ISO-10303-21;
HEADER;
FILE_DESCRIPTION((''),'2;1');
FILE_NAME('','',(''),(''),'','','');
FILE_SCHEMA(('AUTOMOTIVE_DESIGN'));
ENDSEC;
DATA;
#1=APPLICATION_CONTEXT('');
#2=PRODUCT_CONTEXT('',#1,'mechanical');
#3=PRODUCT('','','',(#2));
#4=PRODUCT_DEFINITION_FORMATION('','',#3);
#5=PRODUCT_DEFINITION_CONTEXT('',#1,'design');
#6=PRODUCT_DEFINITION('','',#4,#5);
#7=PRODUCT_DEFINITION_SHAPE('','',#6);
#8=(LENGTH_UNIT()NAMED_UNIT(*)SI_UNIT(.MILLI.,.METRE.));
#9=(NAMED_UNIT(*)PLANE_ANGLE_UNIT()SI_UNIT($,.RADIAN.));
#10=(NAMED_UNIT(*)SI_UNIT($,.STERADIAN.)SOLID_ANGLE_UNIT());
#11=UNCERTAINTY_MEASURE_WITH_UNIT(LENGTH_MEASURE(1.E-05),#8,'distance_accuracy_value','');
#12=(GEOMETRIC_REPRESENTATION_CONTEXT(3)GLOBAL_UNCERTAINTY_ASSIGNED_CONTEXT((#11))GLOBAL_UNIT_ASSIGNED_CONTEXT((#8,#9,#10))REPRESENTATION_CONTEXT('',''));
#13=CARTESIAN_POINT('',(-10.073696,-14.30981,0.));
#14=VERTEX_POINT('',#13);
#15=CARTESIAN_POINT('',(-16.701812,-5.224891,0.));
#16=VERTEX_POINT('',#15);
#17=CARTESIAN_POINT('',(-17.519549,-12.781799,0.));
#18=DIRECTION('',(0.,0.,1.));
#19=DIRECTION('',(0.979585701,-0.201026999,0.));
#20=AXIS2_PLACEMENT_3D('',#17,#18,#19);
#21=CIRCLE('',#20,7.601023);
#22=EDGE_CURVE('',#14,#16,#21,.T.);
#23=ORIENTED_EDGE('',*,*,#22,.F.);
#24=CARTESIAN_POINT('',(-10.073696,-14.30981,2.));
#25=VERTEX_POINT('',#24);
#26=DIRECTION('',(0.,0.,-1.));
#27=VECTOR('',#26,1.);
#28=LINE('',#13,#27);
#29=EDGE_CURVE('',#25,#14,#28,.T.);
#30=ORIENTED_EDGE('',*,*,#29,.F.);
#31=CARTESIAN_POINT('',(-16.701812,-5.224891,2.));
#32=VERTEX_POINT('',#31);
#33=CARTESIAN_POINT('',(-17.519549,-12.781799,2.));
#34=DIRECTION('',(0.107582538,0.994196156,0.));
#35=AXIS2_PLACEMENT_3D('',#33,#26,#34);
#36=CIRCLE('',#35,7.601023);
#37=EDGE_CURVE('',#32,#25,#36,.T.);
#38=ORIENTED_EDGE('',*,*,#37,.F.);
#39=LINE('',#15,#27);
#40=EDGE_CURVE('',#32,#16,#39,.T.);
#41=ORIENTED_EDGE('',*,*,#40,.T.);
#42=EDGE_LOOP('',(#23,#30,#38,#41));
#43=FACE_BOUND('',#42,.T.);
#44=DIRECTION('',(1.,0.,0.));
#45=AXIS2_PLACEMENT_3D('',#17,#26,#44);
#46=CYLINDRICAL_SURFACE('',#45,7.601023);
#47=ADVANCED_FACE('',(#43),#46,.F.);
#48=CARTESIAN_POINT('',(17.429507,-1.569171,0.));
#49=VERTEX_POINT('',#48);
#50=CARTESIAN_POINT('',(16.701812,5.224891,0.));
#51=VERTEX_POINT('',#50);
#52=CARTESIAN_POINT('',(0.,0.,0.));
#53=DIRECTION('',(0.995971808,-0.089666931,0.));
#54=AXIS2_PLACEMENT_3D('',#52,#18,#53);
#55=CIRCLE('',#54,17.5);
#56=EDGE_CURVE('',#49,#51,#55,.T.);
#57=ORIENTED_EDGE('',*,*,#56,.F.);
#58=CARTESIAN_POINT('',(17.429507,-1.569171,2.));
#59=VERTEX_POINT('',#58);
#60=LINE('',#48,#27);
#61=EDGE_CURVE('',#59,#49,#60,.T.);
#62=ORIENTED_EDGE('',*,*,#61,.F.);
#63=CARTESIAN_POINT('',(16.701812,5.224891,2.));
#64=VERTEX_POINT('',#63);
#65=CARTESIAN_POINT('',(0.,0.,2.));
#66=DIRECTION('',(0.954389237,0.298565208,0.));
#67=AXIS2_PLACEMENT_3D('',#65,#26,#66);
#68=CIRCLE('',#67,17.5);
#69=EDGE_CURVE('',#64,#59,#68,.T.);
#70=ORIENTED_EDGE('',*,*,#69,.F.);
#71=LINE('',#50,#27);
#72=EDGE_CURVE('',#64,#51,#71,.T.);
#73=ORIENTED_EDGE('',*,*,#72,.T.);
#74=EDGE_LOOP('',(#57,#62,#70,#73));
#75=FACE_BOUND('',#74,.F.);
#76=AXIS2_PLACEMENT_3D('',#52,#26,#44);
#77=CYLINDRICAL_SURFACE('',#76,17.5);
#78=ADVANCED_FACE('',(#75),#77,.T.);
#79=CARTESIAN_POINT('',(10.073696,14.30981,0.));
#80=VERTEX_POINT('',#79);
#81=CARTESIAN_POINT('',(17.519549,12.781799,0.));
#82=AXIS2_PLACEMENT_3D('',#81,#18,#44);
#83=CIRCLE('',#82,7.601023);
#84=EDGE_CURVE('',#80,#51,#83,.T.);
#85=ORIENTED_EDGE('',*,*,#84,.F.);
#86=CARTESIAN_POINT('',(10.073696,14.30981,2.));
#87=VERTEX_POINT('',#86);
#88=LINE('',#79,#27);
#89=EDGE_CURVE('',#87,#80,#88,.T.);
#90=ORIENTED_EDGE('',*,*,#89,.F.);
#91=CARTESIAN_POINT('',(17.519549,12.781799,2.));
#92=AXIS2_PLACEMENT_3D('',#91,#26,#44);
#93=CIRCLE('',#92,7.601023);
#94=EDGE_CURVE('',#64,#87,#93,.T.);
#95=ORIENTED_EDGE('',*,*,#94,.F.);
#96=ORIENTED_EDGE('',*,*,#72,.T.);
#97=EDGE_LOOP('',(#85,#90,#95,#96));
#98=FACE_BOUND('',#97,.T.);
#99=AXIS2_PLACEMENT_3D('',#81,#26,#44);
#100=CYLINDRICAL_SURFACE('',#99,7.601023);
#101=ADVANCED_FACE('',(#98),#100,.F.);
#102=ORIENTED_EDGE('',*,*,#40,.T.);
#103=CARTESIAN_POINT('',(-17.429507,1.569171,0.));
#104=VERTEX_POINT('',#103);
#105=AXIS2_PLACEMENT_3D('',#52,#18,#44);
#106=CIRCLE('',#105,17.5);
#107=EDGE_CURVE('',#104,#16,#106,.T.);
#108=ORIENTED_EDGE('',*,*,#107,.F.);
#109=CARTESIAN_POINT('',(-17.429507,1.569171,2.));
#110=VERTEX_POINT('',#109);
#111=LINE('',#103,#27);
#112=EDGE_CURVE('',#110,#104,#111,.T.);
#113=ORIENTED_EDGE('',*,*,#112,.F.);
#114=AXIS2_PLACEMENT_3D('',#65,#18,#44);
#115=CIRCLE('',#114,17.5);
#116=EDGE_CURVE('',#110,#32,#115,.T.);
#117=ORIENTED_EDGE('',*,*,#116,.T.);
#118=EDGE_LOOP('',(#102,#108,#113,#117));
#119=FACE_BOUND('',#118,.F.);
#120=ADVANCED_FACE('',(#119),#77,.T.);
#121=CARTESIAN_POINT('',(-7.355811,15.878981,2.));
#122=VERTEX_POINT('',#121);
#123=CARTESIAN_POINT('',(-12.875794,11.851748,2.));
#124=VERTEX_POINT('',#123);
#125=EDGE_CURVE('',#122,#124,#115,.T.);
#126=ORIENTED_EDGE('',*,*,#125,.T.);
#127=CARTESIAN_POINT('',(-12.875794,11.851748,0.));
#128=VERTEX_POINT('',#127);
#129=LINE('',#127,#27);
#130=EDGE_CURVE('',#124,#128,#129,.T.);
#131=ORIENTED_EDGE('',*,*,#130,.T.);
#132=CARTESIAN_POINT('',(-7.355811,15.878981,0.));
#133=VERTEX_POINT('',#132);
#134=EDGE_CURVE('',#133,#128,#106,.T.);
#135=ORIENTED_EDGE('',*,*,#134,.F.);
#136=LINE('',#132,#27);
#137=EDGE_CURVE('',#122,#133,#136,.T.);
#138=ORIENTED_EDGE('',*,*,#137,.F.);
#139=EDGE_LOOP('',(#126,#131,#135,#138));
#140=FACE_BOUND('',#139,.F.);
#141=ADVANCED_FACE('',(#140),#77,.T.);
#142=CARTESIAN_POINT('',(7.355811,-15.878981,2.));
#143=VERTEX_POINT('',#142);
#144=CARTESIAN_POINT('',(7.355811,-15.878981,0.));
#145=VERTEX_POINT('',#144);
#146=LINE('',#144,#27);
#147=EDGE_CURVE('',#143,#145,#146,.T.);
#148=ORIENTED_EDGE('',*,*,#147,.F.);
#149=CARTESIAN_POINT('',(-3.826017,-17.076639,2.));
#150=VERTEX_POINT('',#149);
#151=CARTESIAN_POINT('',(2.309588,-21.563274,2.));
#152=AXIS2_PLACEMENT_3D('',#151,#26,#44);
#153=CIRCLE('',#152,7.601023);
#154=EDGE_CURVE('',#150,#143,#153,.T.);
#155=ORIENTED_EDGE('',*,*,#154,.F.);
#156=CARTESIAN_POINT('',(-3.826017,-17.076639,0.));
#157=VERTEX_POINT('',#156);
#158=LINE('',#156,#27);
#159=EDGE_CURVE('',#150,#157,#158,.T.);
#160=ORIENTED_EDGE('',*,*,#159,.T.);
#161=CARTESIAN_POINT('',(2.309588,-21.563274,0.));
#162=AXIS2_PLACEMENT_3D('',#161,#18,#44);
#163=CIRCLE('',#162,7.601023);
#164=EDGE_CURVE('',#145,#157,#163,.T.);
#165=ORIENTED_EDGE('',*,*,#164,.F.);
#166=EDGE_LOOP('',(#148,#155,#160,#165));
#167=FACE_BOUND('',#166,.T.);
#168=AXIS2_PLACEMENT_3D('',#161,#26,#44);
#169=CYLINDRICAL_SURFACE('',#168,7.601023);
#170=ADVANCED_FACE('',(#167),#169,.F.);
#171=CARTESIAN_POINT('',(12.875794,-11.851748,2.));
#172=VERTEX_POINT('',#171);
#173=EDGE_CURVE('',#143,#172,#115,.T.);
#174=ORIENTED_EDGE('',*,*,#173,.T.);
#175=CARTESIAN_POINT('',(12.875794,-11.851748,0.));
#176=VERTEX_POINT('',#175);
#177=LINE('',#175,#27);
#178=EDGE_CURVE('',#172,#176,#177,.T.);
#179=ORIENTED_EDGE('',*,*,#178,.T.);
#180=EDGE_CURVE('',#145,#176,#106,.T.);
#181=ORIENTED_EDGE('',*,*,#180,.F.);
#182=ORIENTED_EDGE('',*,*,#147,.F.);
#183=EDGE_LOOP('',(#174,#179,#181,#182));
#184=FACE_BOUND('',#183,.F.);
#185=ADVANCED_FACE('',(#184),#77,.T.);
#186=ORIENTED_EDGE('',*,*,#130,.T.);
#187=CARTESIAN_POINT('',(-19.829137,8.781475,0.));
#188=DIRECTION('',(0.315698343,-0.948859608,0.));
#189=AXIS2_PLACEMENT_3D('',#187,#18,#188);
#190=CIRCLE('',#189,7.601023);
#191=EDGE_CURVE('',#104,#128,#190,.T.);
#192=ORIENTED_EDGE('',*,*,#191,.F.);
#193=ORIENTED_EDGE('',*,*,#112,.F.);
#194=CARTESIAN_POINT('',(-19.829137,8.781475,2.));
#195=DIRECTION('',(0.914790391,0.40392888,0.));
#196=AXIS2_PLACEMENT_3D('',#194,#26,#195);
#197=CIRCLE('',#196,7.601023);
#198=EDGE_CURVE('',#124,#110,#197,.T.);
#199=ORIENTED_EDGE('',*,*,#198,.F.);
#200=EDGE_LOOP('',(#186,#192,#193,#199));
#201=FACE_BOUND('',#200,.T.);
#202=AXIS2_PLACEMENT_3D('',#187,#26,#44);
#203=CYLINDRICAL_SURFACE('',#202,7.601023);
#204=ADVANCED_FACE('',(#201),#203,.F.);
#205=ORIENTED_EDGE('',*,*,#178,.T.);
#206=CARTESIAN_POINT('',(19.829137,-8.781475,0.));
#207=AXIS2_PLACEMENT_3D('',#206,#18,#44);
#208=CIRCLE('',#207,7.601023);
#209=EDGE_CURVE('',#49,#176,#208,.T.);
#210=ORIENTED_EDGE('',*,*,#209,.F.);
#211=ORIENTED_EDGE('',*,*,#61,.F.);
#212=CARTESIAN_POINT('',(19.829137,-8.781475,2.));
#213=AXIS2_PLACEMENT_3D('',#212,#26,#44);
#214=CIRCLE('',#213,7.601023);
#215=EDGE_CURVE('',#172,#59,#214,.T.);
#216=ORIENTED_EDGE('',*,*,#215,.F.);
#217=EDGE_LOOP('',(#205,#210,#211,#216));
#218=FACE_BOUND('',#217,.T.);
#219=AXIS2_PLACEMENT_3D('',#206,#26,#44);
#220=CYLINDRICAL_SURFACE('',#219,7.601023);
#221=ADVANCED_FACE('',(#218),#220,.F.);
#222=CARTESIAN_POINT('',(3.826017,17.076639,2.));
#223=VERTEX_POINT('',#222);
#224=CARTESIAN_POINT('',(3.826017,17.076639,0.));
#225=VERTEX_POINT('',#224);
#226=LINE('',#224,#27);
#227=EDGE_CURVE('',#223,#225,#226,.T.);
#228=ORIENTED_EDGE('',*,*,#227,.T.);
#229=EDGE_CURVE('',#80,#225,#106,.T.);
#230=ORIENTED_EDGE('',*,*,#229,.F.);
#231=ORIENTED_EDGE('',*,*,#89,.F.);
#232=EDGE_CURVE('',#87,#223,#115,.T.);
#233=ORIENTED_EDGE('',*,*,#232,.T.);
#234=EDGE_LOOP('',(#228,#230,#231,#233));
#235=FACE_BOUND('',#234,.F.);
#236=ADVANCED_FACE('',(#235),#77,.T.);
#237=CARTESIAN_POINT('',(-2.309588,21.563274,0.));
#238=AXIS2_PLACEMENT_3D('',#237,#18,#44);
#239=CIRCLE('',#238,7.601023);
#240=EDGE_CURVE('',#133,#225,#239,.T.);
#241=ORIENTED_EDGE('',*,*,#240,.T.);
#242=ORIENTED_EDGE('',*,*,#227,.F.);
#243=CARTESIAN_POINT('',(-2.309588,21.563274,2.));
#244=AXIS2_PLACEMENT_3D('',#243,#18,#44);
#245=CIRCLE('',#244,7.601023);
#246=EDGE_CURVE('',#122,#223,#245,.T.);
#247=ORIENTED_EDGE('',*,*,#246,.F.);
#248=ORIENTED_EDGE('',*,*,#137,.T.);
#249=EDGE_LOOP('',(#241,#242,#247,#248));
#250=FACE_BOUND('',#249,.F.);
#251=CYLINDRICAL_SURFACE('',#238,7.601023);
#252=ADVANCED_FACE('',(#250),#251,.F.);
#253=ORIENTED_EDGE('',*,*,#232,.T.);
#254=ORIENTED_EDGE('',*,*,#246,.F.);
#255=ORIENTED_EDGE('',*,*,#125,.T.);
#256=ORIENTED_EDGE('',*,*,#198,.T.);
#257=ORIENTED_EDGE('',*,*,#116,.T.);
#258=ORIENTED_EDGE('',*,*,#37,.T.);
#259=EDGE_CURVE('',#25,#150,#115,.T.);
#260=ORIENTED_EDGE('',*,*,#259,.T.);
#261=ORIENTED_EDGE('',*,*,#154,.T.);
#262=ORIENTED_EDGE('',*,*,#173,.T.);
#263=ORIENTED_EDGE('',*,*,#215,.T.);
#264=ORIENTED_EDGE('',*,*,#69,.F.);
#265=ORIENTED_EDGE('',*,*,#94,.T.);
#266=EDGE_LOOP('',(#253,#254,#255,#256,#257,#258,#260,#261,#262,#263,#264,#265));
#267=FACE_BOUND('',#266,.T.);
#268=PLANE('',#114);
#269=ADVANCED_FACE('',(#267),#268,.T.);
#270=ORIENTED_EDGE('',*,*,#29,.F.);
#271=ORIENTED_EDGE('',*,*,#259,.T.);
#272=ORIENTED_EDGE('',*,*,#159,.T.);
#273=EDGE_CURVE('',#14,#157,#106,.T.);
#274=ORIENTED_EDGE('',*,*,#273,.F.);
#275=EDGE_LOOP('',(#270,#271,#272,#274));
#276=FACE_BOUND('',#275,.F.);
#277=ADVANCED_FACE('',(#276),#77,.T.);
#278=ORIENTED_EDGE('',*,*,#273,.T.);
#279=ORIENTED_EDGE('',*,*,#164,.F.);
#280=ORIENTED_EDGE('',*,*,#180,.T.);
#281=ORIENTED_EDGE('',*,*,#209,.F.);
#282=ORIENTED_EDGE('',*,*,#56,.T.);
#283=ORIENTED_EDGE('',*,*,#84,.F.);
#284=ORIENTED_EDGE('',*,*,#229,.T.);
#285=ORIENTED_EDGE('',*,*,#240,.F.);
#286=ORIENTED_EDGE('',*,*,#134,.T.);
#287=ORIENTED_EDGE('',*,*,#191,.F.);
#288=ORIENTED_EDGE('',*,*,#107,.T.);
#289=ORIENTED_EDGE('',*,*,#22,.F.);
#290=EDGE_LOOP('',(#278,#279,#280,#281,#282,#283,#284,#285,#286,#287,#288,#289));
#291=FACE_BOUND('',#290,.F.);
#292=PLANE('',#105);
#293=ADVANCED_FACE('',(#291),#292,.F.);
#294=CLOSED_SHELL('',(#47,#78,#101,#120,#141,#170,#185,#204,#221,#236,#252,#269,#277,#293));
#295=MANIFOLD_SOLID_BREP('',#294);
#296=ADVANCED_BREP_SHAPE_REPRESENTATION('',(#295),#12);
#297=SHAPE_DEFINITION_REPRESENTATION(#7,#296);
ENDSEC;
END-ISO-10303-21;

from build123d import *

# Parameters (mm, degrees)
F0_R     = 17.5
F1_DEPTH = 2
F2_R     = 7.601023
F3_DEPTH = 12.5


with BuildPart() as f1:
    # F0 (on Top) → F1 (new body)
    with BuildSketch(Plane.XY):
        Circle(F0_R)
    extrude(amount=F1_DEPTH)

    # F2 (on Top) → F3 (cut, symmetric)
    with BuildSketch(Plane.XY):
        with Locations((-19.829137, 8.781475)):
            Circle(F2_R)
        with Locations((-17.519549, -12.781799)):
            Circle(F2_R)
        with Locations((2.309588, -21.563274)):
            Circle(F2_R)
        with Locations((19.829137, -8.781475)):
            Circle(F2_R)
        with Locations((17.519549, 12.781799)):
            Circle(F2_R)
        with Locations((-2.309588, 21.563274)):
            Circle(F2_R)
    extrude(amount=F3_DEPTH, both=True, mode=Mode.SUBTRACT)


solid = f1.part
